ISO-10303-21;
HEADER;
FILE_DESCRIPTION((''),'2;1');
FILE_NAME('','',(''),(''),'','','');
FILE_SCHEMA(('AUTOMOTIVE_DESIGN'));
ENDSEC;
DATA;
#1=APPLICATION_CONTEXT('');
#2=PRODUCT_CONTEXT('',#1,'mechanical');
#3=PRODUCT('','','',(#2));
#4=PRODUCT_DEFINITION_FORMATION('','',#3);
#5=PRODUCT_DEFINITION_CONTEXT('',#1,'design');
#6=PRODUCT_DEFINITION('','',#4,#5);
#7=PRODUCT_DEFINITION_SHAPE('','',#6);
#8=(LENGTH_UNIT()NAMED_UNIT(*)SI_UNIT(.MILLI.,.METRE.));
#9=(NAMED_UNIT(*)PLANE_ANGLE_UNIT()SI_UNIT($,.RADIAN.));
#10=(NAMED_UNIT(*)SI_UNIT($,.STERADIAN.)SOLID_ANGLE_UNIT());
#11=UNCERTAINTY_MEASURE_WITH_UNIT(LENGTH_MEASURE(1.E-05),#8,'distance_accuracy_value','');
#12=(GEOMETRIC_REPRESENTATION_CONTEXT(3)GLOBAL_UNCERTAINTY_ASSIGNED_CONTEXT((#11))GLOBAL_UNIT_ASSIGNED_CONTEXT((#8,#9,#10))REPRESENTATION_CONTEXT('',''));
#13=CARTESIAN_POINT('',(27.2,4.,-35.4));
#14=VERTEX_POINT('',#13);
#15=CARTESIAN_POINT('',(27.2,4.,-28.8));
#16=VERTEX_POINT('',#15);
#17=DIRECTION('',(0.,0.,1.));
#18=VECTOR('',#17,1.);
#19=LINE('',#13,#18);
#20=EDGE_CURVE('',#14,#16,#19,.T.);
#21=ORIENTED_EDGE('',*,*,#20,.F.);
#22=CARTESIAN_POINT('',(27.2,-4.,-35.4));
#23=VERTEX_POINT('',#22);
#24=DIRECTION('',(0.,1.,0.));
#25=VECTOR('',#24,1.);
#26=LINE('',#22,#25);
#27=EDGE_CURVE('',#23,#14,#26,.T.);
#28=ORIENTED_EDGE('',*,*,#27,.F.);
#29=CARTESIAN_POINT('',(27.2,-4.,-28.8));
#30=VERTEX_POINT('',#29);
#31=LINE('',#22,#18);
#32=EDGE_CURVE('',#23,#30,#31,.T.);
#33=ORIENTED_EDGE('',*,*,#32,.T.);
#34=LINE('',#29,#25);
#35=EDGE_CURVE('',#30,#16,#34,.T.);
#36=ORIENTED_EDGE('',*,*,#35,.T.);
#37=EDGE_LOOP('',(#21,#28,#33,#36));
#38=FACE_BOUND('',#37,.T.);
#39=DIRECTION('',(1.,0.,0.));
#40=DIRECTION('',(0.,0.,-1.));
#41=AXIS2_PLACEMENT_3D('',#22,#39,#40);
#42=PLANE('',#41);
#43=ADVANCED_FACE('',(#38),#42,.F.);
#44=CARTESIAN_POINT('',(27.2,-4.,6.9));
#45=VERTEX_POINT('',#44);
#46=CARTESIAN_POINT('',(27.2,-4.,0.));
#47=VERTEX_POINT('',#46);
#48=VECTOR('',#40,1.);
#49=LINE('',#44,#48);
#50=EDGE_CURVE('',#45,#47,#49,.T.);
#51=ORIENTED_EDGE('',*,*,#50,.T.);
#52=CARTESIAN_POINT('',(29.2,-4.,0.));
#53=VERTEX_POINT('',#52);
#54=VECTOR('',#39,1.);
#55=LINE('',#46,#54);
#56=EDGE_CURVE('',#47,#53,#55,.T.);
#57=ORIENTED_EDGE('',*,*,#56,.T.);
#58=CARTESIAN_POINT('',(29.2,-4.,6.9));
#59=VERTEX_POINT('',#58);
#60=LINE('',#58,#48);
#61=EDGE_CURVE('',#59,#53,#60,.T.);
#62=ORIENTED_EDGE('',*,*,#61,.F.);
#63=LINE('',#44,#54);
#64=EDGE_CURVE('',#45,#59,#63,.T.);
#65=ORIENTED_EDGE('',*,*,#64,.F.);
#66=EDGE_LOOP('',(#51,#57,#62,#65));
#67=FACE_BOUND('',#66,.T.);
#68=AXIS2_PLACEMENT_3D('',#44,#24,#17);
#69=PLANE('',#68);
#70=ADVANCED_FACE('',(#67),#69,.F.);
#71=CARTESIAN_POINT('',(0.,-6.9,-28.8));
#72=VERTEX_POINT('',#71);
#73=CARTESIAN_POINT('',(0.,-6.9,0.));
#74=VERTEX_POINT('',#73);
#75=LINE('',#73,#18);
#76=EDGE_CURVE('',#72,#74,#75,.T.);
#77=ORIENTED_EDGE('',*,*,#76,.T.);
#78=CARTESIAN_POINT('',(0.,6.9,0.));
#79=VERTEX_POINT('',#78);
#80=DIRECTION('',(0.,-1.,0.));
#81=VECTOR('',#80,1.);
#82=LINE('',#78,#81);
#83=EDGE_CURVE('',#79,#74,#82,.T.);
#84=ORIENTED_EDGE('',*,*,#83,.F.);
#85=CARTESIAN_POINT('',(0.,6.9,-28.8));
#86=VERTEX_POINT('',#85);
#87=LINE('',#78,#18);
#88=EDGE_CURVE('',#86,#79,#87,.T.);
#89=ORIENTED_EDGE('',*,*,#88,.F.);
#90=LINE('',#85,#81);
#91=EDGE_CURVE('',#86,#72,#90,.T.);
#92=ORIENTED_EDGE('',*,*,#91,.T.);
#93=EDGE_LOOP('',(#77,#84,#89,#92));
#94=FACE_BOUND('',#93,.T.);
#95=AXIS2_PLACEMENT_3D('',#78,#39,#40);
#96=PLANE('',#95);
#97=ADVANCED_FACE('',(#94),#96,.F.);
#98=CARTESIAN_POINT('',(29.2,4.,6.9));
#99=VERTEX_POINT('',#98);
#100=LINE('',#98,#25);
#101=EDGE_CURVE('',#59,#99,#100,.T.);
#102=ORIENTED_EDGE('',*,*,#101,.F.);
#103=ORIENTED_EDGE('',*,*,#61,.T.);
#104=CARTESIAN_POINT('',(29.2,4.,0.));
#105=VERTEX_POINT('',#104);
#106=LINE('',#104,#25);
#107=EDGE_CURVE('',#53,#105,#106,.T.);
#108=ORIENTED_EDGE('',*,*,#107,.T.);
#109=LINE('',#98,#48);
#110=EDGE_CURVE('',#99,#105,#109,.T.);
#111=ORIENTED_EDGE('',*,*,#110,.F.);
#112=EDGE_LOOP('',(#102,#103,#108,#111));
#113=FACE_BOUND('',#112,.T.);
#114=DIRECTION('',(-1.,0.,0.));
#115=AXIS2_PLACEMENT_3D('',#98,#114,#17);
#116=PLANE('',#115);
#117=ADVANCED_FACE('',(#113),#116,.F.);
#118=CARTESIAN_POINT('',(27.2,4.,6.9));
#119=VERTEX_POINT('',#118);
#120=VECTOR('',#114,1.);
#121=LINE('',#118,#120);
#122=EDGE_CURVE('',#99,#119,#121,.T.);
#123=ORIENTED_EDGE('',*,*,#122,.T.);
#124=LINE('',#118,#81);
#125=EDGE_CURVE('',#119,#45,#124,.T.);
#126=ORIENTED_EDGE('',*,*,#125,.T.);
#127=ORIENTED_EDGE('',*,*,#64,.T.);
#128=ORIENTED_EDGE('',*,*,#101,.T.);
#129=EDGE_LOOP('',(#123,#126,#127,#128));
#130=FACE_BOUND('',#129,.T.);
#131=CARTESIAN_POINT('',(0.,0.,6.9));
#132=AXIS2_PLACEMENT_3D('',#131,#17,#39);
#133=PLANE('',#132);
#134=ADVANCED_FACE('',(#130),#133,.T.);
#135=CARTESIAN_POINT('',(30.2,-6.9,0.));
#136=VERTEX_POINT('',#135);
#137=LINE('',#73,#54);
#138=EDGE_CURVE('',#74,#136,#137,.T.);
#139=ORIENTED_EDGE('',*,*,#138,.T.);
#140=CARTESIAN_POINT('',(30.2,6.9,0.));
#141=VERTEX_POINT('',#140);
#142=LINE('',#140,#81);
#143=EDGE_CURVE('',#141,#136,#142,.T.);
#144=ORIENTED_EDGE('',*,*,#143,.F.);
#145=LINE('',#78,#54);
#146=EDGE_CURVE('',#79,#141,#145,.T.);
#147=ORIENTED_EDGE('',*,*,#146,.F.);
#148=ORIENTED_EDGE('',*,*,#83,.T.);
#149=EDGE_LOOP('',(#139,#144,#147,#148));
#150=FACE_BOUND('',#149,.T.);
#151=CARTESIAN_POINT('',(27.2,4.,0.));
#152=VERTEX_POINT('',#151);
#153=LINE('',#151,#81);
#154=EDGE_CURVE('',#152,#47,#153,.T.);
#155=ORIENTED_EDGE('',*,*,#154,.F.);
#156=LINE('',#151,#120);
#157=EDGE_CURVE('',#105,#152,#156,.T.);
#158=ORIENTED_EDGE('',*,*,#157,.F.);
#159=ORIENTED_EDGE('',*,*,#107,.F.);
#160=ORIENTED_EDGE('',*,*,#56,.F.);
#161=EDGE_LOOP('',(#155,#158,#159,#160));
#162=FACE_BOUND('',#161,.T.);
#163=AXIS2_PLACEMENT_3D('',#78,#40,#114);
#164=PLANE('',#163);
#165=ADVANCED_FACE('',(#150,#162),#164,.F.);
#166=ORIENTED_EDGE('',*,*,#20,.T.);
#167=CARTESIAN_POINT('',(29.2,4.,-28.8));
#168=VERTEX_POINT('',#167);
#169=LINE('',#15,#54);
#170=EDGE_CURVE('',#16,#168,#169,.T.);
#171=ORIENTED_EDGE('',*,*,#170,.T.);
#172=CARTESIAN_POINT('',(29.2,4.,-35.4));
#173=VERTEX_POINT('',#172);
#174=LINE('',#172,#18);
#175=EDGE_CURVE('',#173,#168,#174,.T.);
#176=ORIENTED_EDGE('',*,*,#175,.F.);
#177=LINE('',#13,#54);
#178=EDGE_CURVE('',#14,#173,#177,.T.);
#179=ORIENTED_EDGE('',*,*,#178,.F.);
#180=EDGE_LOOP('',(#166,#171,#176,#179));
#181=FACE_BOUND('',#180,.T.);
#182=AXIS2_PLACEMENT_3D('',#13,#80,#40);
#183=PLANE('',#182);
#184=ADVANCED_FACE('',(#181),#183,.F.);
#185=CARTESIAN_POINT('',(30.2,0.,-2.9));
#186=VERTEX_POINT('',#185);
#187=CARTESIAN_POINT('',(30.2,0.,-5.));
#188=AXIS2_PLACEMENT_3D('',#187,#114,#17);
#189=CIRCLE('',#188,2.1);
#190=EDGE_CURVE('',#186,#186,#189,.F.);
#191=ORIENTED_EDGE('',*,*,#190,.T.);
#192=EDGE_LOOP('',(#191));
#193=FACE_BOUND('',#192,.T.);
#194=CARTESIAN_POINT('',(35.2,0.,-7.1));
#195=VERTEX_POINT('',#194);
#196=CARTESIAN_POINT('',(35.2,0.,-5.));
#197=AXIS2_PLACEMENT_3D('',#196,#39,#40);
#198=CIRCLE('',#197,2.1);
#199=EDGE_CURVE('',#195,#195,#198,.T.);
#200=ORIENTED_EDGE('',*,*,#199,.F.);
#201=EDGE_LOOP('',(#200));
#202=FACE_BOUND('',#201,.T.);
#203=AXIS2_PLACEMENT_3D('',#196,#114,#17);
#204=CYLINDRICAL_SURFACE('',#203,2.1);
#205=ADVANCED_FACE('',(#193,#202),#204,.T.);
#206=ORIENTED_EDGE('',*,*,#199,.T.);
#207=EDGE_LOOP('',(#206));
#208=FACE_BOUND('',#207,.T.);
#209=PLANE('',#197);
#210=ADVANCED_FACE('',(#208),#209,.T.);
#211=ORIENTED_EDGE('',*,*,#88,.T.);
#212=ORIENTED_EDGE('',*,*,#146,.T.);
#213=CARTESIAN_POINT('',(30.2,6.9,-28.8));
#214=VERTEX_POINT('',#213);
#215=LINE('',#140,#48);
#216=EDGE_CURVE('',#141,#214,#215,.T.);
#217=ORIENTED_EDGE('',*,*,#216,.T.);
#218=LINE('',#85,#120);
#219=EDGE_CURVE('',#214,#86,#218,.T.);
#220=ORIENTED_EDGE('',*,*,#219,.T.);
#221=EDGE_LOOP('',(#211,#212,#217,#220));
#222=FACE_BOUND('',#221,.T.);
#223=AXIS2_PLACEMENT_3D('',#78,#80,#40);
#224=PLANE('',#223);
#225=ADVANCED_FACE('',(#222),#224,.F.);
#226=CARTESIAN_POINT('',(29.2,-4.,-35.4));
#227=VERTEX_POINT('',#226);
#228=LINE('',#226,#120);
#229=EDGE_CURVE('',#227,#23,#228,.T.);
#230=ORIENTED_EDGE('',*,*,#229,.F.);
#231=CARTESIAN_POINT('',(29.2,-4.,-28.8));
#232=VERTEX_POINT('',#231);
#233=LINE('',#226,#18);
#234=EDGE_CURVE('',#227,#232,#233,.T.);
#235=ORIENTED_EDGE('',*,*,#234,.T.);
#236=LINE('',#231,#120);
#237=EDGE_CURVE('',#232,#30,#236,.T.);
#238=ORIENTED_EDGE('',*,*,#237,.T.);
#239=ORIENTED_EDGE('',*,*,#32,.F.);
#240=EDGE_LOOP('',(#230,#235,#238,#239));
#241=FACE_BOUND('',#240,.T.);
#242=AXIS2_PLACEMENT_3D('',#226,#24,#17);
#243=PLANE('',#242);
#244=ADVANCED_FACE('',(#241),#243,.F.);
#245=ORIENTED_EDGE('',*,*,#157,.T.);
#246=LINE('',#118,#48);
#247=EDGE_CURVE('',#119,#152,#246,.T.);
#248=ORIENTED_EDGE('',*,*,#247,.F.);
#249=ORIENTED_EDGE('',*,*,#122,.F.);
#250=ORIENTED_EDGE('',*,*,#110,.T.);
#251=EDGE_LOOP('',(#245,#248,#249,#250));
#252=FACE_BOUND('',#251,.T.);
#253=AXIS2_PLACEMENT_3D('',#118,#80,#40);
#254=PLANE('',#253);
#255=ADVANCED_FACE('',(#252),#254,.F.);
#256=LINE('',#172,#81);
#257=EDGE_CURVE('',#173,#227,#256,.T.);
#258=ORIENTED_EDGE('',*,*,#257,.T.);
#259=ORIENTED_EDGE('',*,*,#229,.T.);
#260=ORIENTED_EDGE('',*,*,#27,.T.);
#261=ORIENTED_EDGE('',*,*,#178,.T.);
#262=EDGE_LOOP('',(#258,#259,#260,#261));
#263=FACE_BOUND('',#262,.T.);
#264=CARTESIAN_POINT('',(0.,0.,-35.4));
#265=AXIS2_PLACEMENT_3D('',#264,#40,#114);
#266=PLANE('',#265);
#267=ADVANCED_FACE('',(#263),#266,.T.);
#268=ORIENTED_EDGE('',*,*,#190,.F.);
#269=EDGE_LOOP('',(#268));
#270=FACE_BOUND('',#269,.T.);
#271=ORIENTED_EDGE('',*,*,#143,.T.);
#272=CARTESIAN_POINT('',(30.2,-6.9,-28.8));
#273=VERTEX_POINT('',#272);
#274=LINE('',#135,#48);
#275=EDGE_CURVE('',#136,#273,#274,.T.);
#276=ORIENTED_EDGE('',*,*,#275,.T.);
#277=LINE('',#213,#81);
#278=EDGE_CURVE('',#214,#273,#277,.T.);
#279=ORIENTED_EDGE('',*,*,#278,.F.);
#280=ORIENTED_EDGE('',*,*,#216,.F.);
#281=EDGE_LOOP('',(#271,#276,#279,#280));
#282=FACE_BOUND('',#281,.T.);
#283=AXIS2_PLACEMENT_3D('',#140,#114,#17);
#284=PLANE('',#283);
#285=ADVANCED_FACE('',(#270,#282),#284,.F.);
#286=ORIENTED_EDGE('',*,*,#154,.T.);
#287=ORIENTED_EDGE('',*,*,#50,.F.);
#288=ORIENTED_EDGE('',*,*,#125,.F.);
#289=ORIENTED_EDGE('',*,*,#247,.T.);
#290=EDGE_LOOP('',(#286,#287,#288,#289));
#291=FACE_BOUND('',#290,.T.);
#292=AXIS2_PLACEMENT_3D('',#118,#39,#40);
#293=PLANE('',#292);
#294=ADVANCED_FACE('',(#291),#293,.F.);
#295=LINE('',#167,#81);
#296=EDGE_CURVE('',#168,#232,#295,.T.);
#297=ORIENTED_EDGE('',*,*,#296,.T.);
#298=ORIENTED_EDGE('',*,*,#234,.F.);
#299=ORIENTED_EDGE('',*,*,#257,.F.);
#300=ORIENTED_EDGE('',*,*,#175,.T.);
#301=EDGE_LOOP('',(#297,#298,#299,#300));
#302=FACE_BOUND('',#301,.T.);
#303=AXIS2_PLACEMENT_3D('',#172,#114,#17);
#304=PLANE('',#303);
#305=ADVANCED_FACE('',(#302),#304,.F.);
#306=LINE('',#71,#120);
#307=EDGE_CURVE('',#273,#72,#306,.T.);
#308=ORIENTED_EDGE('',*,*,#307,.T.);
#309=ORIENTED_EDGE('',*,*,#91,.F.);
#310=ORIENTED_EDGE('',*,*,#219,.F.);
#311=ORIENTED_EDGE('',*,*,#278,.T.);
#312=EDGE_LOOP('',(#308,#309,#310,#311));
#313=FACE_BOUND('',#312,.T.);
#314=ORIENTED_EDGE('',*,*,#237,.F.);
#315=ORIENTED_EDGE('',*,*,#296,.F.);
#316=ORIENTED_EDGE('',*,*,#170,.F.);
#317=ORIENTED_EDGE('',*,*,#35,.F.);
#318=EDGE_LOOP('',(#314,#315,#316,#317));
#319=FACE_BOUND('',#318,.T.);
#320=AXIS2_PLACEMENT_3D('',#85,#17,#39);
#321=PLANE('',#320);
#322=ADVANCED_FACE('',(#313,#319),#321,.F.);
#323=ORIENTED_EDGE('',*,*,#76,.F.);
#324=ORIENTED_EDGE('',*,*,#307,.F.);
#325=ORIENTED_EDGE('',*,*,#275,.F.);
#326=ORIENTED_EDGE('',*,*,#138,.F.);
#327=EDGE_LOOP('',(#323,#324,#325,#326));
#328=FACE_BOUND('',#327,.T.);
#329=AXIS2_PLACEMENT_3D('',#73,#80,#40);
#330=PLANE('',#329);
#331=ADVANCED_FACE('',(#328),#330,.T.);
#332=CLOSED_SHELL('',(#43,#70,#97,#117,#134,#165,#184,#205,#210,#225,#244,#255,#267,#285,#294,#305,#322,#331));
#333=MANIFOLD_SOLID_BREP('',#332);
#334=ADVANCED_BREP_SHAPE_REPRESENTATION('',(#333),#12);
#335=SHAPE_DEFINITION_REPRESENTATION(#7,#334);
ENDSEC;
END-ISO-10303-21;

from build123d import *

# Parameters (mm, degrees)
SKETCH1_W           = 30.2
SKETCH1_H           = 28.8
BOSS_EXTRUDE1_DEPTH = 6.9
SKETCH2_R           = 2.1
BOSS_EXTRUDE2_DEPTH = 5
SKETCH3_W           = 2
SKETCH3_H           = 8
BOSS_EXTRUDE3_DEPTH = 6.9
SKETCH4_W           = 2
SKETCH4_H           = 8
BOSS_EXTRUDE4_DEPTH = 6.6


with BuildPart() as part:
    # Sketch1 → Boss-Extrude1 (new body, symmetric)
    with BuildSketch(Plane(origin=(0, 0, 0), x_dir=(1, 0, 0), z_dir=(0, 1, 0))):
        with Locations((15.1, 14.4)):
            Rectangle(SKETCH1_W, SKETCH1_H)
    extrude(amount=BOSS_EXTRUDE1_DEPTH, both=True)

    # Sketch2 → Boss-Extrude2 (add)
    with BuildSketch(Plane(origin=(30.2, 0, 0), x_dir=(0, 0, -1), z_dir=(1, 0, 0))):
        with Locations((5, 0)):
            Circle(SKETCH2_R)
    extrude(amount=BOSS_EXTRUDE2_DEPTH)

    # Sketch3 → Boss-Extrude3 (add)
    with BuildSketch(Plane.XY):
        with Locations((28.2, 0)):
            Rectangle(SKETCH3_W, SKETCH3_H)
    extrude(amount=BOSS_EXTRUDE3_DEPTH)

    # Sketch4 → Boss-Extrude4 (add)
    with BuildSketch(Plane(origin=(0, 0, -28.8), x_dir=(-1, 0, 0), z_dir=(0, 0, -1))):
        with Locations((-28.2, 0)):
            Rectangle(SKETCH4_W, SKETCH4_H)
    extrude(amount=BOSS_EXTRUDE4_DEPTH)


solid = part.part
